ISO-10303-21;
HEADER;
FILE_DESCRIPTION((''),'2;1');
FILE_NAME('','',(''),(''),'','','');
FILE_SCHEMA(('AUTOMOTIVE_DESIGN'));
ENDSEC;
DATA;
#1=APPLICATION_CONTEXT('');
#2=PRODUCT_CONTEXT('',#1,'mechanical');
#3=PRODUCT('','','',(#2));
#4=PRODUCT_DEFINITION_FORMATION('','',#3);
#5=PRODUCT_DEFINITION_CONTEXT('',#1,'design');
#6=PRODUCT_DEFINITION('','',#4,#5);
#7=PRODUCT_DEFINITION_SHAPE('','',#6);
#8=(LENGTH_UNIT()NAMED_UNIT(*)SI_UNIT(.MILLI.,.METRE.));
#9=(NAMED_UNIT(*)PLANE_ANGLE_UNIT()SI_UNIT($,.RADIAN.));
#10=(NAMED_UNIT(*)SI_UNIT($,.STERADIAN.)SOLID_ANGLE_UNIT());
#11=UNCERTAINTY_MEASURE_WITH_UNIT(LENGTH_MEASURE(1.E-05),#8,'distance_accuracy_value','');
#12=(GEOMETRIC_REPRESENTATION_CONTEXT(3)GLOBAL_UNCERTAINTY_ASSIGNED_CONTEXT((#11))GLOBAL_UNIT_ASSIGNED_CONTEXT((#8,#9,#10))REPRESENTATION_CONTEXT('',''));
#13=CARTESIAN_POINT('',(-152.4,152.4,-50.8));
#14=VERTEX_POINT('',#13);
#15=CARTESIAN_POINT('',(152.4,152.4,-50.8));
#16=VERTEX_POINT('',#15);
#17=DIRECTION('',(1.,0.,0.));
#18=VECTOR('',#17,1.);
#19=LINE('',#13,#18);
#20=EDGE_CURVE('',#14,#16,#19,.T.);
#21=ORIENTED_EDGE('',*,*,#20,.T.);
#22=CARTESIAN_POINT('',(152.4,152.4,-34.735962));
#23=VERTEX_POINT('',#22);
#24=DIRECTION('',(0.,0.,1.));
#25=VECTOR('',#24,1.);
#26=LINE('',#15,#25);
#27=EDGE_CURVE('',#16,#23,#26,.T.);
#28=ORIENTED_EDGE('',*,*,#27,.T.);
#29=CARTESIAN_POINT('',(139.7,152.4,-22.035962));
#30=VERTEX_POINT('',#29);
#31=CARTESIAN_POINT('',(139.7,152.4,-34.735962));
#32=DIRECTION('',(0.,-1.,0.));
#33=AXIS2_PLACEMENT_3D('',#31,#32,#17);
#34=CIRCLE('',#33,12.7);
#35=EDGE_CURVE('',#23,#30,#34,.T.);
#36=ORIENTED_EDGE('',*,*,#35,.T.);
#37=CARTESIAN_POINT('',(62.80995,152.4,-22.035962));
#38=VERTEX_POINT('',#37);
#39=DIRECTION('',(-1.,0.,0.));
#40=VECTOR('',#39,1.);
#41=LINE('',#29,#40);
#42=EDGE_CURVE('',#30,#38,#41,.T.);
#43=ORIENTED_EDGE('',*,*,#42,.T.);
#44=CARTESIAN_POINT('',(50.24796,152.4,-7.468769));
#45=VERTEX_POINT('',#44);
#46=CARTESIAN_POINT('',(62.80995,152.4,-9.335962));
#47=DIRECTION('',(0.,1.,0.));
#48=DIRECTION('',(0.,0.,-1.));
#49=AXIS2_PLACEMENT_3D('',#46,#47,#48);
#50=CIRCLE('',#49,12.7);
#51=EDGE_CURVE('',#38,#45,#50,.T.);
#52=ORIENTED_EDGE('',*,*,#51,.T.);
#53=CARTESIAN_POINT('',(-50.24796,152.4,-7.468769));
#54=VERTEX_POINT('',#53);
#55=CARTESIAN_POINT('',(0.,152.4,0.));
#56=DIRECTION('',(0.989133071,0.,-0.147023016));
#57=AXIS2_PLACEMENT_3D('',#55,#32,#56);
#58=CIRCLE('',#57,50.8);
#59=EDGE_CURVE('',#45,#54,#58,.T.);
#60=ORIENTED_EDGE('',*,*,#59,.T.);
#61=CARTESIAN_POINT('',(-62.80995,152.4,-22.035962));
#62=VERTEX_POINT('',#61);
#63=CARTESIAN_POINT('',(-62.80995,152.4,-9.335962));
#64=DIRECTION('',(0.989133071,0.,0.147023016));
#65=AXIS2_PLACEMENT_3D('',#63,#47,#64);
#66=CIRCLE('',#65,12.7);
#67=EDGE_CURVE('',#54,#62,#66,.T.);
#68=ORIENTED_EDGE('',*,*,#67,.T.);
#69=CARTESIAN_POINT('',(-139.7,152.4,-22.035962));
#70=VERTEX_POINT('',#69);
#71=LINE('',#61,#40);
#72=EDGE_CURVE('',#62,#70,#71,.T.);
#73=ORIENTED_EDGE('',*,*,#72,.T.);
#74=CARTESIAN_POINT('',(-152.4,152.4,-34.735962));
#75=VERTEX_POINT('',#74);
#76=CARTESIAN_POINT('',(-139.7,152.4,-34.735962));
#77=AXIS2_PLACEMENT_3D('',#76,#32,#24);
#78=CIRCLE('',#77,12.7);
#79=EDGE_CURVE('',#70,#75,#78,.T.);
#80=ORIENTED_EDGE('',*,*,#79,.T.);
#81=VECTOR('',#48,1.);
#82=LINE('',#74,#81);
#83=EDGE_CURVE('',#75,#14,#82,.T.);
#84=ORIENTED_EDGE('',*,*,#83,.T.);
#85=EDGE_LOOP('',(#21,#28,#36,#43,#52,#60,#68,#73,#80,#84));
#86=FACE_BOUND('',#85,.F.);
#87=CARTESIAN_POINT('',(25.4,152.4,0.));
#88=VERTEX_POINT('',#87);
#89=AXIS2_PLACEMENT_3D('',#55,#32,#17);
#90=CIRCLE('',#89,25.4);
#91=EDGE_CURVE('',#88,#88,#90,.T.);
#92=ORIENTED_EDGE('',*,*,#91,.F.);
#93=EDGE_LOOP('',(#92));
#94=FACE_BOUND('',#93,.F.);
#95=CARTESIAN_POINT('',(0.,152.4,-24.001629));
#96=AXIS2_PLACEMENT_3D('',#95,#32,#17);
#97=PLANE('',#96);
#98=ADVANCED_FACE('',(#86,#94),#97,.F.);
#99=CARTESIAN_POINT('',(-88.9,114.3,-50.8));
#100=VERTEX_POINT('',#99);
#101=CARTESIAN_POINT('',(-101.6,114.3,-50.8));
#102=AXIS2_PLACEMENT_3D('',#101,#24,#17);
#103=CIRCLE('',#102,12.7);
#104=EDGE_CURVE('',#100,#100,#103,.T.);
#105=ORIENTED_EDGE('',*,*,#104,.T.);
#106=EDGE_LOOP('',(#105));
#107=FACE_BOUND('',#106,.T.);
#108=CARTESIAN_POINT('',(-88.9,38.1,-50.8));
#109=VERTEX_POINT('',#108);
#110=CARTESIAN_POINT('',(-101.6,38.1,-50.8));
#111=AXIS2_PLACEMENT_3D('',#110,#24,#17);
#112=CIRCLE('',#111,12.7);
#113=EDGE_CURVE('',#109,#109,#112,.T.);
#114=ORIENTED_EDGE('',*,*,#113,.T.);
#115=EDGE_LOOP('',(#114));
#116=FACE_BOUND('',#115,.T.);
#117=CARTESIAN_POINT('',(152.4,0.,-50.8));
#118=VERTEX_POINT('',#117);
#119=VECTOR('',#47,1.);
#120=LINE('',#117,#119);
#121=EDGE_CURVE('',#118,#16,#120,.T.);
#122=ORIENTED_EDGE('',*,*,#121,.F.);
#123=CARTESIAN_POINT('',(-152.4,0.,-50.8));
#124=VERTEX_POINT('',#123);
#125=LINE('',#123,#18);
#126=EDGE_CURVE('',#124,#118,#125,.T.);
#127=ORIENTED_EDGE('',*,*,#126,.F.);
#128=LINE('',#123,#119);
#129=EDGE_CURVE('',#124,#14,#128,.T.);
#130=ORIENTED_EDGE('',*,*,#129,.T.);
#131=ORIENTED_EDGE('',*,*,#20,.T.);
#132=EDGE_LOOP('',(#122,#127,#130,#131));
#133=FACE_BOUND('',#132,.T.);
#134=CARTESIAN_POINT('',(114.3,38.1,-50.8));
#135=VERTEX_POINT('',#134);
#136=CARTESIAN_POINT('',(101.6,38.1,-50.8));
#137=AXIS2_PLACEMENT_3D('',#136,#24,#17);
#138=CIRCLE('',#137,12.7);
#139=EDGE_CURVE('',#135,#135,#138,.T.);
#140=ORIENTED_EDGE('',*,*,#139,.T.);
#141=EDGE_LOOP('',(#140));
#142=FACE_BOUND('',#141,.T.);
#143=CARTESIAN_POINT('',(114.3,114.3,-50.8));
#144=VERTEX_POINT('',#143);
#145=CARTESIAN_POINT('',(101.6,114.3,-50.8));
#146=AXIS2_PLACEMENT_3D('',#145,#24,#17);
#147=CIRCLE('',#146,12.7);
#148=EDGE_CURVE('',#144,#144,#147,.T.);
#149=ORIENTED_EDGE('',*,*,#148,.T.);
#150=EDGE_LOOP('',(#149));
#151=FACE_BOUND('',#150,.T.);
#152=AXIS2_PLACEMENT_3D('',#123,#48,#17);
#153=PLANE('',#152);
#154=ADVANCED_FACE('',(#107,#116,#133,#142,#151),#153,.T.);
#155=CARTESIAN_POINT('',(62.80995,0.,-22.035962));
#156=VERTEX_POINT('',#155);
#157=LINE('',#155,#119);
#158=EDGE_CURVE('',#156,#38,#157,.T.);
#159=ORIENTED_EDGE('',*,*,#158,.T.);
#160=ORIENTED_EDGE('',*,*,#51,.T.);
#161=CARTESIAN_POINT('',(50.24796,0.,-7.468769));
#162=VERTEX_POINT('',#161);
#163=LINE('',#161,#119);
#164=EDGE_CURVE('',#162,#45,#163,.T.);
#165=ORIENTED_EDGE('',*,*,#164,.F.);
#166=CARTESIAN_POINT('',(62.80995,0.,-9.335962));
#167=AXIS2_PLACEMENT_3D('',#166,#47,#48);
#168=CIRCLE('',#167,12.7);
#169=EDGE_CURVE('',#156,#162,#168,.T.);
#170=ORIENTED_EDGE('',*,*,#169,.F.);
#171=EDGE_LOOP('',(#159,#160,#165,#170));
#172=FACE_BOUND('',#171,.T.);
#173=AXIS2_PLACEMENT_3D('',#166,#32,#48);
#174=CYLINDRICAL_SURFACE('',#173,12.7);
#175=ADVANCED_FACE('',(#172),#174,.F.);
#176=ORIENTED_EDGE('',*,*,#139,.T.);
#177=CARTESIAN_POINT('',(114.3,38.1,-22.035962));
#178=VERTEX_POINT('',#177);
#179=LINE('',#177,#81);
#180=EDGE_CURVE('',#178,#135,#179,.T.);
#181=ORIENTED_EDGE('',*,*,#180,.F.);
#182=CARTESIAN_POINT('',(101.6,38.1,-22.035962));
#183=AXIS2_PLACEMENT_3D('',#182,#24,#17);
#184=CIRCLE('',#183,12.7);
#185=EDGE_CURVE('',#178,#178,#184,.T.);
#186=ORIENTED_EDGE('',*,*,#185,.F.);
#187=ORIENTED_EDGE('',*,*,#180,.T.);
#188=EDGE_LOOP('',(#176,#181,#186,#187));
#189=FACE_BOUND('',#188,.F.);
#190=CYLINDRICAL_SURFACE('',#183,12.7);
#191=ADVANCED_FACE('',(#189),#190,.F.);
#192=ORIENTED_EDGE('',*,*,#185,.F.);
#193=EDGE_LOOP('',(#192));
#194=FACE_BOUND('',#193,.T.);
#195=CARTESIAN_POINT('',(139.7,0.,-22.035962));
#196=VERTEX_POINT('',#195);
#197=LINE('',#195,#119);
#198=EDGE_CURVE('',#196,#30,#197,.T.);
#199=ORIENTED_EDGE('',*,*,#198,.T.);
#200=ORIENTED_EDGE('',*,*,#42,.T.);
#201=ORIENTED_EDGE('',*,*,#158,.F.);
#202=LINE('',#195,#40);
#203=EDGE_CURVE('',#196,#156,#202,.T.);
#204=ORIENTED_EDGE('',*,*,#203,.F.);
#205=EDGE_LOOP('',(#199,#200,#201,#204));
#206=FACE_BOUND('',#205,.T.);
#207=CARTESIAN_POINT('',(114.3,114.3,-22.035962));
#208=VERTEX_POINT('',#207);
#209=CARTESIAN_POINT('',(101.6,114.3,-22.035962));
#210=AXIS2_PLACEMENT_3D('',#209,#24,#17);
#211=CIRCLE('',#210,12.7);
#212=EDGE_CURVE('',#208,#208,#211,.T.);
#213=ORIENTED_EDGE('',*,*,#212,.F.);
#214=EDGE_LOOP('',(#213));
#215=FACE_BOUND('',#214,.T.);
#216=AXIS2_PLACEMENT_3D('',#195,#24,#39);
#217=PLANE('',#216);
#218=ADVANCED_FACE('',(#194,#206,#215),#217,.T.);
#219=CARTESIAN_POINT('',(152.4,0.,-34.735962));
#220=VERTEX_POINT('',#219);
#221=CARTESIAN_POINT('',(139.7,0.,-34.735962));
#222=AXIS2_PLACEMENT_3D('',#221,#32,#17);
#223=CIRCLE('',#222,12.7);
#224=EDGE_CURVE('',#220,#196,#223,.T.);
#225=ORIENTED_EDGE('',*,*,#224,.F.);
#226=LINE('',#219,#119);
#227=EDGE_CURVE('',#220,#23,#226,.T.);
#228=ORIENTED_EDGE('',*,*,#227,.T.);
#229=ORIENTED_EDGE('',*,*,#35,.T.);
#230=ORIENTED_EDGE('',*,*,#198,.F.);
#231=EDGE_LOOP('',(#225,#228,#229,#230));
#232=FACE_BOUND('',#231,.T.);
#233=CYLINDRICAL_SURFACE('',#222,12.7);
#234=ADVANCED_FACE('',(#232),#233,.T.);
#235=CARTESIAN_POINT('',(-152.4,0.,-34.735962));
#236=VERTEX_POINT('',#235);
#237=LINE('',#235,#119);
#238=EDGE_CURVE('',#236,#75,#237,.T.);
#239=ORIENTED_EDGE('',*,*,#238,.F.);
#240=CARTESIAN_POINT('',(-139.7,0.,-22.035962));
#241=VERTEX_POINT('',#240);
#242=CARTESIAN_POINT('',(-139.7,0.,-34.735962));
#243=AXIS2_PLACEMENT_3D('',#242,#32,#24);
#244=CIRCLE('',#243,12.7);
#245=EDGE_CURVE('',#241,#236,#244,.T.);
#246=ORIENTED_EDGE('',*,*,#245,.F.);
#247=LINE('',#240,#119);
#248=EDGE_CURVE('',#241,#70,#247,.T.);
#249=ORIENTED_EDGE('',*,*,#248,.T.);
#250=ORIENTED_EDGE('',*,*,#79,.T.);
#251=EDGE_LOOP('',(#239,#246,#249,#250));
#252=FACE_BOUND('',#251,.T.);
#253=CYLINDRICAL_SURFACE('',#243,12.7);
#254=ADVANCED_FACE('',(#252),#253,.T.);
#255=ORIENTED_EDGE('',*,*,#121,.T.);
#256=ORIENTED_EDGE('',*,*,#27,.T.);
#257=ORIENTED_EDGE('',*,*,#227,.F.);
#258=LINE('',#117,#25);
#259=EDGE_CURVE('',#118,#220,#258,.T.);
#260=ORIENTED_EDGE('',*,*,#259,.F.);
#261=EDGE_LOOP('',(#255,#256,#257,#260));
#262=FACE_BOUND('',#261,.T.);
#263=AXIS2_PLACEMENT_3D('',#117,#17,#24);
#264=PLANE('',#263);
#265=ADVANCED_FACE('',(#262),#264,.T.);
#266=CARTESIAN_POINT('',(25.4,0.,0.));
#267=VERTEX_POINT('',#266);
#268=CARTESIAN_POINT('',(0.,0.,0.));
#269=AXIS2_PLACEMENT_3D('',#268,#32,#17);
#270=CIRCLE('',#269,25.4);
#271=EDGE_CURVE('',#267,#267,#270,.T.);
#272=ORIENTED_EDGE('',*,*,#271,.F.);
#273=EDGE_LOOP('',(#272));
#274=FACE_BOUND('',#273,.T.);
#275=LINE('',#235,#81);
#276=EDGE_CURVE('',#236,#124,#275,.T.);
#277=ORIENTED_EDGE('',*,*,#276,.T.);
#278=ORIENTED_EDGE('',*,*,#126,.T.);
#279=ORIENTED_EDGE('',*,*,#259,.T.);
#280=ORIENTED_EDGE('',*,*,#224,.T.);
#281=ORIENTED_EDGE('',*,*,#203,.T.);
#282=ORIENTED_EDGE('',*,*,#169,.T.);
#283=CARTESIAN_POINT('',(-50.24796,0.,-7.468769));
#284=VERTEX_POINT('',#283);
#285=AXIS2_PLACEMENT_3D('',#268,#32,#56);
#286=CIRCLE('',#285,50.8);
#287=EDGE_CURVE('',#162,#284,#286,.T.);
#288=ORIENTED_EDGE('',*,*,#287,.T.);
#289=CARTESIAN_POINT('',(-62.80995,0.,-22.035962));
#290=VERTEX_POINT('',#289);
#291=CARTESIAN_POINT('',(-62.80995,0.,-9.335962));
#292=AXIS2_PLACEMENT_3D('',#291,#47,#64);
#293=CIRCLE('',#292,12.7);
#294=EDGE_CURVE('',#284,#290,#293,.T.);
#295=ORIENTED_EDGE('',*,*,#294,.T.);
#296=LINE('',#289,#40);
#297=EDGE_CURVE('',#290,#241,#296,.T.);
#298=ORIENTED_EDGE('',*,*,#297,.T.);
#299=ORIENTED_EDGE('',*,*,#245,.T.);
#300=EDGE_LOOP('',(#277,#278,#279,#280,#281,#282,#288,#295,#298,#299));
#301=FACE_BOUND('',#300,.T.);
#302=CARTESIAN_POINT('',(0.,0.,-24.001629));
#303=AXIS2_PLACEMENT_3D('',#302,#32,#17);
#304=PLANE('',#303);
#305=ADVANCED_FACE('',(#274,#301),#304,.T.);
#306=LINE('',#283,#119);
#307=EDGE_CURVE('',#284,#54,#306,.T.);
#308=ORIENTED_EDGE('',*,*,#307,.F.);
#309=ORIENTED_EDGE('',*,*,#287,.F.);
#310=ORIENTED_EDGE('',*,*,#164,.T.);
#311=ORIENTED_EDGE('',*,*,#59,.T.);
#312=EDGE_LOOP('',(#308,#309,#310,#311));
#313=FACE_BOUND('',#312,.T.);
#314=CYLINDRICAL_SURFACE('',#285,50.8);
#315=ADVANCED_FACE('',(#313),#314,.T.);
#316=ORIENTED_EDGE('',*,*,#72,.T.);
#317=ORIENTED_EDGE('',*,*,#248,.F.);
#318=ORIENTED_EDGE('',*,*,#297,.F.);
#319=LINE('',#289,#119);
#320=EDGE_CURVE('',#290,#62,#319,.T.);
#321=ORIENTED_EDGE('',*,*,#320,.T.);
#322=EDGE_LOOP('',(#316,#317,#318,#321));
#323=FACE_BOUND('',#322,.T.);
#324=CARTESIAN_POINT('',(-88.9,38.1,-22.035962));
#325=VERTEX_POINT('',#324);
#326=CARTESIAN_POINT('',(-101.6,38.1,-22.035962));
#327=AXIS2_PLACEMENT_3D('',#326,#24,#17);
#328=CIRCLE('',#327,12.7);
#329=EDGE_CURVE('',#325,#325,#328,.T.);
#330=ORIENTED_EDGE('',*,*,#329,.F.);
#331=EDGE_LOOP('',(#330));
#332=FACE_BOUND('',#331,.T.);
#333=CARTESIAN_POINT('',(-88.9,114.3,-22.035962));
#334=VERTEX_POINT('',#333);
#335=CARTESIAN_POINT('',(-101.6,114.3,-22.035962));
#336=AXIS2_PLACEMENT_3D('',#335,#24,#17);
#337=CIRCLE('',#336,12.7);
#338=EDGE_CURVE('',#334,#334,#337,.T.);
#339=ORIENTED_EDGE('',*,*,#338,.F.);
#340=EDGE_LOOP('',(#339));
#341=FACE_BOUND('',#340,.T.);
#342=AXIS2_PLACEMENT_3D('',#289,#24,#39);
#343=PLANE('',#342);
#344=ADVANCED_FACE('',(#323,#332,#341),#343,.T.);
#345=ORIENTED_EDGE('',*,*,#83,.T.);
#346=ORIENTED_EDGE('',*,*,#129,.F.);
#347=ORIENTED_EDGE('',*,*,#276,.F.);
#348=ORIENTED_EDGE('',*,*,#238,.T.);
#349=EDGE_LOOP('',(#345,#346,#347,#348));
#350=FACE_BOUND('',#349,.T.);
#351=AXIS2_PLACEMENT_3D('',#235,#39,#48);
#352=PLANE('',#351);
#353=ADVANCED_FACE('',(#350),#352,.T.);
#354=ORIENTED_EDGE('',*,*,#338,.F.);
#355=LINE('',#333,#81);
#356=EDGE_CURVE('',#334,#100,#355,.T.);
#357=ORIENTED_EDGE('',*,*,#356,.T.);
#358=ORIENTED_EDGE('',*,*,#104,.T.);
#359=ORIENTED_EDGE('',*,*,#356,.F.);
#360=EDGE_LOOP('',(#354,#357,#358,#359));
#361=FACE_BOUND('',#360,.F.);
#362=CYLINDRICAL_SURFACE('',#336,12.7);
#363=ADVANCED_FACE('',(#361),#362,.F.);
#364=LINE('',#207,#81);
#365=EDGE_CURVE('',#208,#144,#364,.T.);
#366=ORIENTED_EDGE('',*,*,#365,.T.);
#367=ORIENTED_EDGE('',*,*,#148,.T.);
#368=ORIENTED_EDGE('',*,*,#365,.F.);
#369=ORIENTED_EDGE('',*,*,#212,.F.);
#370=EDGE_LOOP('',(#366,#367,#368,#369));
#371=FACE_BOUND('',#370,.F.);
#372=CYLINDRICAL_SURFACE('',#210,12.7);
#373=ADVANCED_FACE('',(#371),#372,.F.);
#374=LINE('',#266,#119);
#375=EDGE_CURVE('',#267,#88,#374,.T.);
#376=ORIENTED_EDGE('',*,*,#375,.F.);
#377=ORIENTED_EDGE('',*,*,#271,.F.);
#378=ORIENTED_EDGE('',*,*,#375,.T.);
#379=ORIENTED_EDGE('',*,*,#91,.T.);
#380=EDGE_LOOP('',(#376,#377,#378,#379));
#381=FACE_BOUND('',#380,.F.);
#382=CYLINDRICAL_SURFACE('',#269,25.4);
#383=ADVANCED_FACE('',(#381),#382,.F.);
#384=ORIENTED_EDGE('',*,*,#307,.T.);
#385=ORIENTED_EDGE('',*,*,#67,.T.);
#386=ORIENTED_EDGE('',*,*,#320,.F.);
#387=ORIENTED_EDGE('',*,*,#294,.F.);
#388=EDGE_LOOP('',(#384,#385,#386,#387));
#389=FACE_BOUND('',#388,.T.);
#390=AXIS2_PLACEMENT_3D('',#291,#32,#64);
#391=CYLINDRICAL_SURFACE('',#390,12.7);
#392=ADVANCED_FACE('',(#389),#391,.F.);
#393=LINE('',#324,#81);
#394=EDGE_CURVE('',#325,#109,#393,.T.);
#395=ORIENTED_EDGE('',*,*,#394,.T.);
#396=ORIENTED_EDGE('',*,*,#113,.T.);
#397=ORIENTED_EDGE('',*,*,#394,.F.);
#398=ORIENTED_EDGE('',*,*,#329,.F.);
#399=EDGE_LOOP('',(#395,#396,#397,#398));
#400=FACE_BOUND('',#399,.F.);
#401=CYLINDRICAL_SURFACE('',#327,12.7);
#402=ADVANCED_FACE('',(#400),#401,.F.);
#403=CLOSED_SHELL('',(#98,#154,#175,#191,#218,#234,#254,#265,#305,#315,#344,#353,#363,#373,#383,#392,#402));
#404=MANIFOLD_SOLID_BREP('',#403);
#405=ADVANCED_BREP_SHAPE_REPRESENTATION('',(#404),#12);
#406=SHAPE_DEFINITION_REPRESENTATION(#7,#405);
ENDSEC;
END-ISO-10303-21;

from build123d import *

# Parameters (mm, degrees)
F0_R     = 25.4
F1_DEPTH = 152.4
F3_R     = 12.7
F4_DEPTH = 76.2


with BuildPart() as f1:
    # F0 (on Front) → F1 (new body)
    with BuildSketch(Plane.XZ):
        with BuildLine():
            ThreePointArc((62.8099500262, -22.0359615311), (53.1921711171, -17.6298345019), (50.2479600209, -7.4687692249))
            ThreePointArc((50.2479600209, -7.4687692249), (0, 50.8), (-50.2479600209, -7.4687692249))
            ThreePointArc((-50.2479600209, -7.4687692249), (-53.1921711171, -17.6298345019), (-62.8099500262, -22.0359615311))
            Line((-62.8099500262, -22.0359615311), (-139.7, -22.0359615311))
            ThreePointArc((-139.7, -22.0359615311), (-148.6802561211, -25.75570541), (-152.4, -34.7359615311))
            Line((-152.4, -34.7359615311), (-152.4, -50.8))
            Line((-152.4, -50.8), (152.4, -50.8))
            Line((152.4, -50.8), (152.4, -34.7359615311))
            ThreePointArc((152.4, -34.7359615311), (148.6802561211, -25.75570541), (139.7, -22.0359615311))
            Line((139.7, -22.0359615311), (62.8099500262, -22.0359615311))
        make_face()
        Circle(F0_R, mode=Mode.SUBTRACT)
    extrude(amount=-F1_DEPTH)

    # F3 (on offset) → F4 (cut)
    with BuildSketch(Plane.XY.offset(-22.0359615311)):
        with Locations((101.6, 114.3)):
            Circle(F3_R)
        with Locations((101.6, 38.1)):
            Circle(F3_R)
        with Locations((-101.6, 114.3)):
            Circle(F3_R)
        with Locations((-101.6, 38.1)):
            Circle(F3_R)
    extrude(amount=-F4_DEPTH, mode=Mode.SUBTRACT)


solid = f1.part
